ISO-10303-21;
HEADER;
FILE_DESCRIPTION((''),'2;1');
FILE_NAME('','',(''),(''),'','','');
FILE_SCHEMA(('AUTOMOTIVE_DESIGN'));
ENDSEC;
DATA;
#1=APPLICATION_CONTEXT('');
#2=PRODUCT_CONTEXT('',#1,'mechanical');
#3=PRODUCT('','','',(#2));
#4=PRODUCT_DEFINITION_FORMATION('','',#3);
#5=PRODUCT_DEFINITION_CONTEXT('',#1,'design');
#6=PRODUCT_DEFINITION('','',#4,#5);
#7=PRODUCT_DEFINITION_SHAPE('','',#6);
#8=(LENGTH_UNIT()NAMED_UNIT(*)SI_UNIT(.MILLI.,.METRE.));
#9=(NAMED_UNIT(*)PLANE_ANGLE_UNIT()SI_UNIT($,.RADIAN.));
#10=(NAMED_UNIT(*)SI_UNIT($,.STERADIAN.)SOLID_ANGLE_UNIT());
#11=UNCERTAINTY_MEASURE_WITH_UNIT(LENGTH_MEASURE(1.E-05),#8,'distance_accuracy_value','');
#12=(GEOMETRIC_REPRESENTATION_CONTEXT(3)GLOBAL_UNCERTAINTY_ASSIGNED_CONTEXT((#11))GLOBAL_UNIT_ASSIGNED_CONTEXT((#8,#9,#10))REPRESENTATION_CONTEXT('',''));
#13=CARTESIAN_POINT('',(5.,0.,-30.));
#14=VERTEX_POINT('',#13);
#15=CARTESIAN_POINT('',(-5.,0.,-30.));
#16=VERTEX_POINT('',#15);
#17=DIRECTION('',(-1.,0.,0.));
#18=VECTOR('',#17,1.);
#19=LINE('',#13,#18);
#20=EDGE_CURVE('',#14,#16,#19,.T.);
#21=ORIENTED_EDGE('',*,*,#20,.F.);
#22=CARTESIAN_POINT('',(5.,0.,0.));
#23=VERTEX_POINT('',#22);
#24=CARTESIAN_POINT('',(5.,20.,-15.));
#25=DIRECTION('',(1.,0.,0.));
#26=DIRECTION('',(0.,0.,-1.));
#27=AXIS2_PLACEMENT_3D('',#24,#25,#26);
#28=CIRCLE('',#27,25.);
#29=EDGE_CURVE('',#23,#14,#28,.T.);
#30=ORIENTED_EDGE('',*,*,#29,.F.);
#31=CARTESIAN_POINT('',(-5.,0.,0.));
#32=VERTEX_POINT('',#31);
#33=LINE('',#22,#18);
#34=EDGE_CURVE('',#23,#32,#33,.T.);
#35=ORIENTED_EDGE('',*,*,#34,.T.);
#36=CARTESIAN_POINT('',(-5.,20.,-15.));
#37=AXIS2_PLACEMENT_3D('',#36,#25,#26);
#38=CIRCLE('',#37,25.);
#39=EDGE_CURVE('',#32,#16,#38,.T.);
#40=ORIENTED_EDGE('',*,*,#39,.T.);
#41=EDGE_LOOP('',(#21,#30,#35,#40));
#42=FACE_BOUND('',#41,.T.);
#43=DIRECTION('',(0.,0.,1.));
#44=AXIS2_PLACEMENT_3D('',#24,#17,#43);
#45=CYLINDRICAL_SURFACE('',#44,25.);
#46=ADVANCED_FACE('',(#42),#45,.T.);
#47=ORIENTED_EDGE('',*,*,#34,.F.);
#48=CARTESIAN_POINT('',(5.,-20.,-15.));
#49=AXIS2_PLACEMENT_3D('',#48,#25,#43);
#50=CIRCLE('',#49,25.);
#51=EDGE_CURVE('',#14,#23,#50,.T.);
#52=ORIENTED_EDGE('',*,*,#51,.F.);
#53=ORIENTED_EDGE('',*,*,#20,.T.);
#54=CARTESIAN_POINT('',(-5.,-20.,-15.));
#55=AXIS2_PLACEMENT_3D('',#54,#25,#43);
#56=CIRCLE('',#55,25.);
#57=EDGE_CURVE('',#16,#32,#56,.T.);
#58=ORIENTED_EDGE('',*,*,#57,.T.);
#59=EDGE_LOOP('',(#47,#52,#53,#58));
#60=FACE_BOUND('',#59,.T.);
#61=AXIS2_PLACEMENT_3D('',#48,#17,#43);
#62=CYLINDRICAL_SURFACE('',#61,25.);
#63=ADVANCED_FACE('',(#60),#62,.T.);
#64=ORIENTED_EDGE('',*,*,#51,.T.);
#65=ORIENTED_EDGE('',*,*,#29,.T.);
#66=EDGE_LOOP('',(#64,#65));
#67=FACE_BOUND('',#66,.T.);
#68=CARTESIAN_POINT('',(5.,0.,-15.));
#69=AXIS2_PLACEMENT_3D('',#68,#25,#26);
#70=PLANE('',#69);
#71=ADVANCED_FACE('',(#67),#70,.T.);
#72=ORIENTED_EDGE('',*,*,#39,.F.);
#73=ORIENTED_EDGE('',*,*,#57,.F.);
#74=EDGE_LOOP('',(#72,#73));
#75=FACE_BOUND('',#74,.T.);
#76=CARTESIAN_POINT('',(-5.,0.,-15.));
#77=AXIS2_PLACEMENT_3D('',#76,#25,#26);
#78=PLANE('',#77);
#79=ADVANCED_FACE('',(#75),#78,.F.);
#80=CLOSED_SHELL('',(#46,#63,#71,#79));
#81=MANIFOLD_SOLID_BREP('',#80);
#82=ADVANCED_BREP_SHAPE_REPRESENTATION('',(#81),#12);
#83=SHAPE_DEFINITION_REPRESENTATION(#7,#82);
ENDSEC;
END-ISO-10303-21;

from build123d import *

# Parameters (mm, degrees)
EXTRUDE_1_DEPTH = 5


with BuildPart() as part:
    # Эскиз3 → Бобышка-Вытянуть1 (new, symmetric)
    with BuildSketch(Plane(origin=(0, 0, 0), x_dir=(0, 0, -1), z_dir=(1, 0, 0))):
        with BuildLine():
            ThreePointArc((0, 0), (15, 5), (30, 0))
            ThreePointArc((30, 0), (15, -5), (0, 0))
        make_face()
    extrude(amount=EXTRUDE_1_DEPTH, both=True)


solid = part.part
